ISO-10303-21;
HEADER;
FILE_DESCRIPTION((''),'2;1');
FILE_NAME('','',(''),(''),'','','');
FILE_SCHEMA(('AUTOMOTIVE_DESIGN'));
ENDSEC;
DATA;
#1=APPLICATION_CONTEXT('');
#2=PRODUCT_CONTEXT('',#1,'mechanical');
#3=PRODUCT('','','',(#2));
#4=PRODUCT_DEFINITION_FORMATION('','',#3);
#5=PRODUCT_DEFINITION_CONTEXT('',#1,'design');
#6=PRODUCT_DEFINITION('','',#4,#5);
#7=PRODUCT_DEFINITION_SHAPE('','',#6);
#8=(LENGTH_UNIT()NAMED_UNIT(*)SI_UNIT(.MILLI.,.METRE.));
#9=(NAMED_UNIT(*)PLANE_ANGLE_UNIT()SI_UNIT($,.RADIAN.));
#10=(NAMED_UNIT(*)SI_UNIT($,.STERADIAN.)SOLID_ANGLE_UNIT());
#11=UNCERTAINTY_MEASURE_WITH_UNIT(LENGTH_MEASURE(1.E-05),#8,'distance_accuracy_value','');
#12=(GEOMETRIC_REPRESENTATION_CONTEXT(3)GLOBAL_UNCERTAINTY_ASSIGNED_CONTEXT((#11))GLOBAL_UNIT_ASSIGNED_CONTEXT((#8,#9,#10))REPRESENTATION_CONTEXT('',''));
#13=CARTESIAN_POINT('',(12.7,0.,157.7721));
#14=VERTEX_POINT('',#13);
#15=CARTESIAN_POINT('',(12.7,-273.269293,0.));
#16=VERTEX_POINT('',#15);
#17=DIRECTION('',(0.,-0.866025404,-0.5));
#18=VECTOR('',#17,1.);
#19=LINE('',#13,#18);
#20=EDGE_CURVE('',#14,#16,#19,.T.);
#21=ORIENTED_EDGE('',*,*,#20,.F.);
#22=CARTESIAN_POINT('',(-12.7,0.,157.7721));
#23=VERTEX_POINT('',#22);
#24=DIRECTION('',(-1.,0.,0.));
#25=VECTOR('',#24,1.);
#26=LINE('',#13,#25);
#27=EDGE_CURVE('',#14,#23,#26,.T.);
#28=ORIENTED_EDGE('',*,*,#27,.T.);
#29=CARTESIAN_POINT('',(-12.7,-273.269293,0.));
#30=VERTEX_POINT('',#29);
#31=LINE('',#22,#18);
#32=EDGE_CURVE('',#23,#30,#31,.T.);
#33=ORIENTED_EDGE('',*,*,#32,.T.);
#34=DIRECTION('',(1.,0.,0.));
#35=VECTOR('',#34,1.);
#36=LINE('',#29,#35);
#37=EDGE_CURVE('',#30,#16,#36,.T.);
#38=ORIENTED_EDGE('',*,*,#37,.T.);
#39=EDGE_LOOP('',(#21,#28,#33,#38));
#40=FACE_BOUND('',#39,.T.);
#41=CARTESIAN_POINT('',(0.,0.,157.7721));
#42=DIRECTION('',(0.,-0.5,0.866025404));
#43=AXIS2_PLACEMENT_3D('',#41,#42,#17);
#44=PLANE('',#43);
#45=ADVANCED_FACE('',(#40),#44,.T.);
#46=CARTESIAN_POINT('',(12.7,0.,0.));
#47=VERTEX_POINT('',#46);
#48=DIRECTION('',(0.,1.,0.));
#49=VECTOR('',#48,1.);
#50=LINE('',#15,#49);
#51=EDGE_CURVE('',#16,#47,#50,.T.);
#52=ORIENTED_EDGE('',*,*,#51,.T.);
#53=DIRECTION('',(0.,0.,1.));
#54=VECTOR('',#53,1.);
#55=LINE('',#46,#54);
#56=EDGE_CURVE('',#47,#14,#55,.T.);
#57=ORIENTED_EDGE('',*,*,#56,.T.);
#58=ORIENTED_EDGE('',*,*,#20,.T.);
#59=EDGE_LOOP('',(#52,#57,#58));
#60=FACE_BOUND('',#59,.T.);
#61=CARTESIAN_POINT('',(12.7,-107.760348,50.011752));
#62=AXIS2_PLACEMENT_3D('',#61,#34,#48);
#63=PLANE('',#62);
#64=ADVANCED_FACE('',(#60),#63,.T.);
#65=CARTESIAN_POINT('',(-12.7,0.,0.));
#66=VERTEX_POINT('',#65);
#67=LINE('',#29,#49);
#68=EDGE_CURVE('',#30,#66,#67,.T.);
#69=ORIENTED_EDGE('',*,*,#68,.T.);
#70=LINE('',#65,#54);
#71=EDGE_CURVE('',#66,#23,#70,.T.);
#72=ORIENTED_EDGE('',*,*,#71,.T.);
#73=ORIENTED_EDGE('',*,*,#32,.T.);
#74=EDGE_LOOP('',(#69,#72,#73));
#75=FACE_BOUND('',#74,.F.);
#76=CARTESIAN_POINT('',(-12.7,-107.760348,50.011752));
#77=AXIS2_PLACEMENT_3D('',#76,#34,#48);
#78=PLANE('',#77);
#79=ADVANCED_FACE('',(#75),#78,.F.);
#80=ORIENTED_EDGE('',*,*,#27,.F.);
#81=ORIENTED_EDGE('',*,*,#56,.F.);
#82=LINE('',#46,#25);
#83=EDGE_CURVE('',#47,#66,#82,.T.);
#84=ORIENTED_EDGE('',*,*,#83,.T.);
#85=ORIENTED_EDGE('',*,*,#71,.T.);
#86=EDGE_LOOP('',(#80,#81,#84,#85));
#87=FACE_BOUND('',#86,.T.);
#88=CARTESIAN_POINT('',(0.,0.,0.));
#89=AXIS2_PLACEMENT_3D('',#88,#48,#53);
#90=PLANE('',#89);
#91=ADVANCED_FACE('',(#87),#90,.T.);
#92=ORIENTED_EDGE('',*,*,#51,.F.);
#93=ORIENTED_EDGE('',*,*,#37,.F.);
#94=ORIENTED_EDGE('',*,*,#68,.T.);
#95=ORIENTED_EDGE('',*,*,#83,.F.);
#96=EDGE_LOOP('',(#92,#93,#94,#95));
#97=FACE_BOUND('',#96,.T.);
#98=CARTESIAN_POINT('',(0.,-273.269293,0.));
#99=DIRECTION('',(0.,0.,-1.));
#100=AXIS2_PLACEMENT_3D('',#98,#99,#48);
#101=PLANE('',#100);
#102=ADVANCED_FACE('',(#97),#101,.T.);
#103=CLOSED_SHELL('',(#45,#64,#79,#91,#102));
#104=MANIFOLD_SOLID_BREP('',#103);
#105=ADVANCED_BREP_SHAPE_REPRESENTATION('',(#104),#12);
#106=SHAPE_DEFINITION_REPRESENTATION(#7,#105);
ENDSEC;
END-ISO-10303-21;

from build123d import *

# Parameters (mm, degrees)
F1_DEPTH = 12.7


with BuildPart() as f1:
    # F0 (on Right) → F1 (new body, symmetric)
    with BuildSketch(Plane.YZ):
        Polygon((0, 157.7721), (-273.269293, 0), (0, 0), align=None)
    extrude(amount=F1_DEPTH, both=True)


solid = f1.part
